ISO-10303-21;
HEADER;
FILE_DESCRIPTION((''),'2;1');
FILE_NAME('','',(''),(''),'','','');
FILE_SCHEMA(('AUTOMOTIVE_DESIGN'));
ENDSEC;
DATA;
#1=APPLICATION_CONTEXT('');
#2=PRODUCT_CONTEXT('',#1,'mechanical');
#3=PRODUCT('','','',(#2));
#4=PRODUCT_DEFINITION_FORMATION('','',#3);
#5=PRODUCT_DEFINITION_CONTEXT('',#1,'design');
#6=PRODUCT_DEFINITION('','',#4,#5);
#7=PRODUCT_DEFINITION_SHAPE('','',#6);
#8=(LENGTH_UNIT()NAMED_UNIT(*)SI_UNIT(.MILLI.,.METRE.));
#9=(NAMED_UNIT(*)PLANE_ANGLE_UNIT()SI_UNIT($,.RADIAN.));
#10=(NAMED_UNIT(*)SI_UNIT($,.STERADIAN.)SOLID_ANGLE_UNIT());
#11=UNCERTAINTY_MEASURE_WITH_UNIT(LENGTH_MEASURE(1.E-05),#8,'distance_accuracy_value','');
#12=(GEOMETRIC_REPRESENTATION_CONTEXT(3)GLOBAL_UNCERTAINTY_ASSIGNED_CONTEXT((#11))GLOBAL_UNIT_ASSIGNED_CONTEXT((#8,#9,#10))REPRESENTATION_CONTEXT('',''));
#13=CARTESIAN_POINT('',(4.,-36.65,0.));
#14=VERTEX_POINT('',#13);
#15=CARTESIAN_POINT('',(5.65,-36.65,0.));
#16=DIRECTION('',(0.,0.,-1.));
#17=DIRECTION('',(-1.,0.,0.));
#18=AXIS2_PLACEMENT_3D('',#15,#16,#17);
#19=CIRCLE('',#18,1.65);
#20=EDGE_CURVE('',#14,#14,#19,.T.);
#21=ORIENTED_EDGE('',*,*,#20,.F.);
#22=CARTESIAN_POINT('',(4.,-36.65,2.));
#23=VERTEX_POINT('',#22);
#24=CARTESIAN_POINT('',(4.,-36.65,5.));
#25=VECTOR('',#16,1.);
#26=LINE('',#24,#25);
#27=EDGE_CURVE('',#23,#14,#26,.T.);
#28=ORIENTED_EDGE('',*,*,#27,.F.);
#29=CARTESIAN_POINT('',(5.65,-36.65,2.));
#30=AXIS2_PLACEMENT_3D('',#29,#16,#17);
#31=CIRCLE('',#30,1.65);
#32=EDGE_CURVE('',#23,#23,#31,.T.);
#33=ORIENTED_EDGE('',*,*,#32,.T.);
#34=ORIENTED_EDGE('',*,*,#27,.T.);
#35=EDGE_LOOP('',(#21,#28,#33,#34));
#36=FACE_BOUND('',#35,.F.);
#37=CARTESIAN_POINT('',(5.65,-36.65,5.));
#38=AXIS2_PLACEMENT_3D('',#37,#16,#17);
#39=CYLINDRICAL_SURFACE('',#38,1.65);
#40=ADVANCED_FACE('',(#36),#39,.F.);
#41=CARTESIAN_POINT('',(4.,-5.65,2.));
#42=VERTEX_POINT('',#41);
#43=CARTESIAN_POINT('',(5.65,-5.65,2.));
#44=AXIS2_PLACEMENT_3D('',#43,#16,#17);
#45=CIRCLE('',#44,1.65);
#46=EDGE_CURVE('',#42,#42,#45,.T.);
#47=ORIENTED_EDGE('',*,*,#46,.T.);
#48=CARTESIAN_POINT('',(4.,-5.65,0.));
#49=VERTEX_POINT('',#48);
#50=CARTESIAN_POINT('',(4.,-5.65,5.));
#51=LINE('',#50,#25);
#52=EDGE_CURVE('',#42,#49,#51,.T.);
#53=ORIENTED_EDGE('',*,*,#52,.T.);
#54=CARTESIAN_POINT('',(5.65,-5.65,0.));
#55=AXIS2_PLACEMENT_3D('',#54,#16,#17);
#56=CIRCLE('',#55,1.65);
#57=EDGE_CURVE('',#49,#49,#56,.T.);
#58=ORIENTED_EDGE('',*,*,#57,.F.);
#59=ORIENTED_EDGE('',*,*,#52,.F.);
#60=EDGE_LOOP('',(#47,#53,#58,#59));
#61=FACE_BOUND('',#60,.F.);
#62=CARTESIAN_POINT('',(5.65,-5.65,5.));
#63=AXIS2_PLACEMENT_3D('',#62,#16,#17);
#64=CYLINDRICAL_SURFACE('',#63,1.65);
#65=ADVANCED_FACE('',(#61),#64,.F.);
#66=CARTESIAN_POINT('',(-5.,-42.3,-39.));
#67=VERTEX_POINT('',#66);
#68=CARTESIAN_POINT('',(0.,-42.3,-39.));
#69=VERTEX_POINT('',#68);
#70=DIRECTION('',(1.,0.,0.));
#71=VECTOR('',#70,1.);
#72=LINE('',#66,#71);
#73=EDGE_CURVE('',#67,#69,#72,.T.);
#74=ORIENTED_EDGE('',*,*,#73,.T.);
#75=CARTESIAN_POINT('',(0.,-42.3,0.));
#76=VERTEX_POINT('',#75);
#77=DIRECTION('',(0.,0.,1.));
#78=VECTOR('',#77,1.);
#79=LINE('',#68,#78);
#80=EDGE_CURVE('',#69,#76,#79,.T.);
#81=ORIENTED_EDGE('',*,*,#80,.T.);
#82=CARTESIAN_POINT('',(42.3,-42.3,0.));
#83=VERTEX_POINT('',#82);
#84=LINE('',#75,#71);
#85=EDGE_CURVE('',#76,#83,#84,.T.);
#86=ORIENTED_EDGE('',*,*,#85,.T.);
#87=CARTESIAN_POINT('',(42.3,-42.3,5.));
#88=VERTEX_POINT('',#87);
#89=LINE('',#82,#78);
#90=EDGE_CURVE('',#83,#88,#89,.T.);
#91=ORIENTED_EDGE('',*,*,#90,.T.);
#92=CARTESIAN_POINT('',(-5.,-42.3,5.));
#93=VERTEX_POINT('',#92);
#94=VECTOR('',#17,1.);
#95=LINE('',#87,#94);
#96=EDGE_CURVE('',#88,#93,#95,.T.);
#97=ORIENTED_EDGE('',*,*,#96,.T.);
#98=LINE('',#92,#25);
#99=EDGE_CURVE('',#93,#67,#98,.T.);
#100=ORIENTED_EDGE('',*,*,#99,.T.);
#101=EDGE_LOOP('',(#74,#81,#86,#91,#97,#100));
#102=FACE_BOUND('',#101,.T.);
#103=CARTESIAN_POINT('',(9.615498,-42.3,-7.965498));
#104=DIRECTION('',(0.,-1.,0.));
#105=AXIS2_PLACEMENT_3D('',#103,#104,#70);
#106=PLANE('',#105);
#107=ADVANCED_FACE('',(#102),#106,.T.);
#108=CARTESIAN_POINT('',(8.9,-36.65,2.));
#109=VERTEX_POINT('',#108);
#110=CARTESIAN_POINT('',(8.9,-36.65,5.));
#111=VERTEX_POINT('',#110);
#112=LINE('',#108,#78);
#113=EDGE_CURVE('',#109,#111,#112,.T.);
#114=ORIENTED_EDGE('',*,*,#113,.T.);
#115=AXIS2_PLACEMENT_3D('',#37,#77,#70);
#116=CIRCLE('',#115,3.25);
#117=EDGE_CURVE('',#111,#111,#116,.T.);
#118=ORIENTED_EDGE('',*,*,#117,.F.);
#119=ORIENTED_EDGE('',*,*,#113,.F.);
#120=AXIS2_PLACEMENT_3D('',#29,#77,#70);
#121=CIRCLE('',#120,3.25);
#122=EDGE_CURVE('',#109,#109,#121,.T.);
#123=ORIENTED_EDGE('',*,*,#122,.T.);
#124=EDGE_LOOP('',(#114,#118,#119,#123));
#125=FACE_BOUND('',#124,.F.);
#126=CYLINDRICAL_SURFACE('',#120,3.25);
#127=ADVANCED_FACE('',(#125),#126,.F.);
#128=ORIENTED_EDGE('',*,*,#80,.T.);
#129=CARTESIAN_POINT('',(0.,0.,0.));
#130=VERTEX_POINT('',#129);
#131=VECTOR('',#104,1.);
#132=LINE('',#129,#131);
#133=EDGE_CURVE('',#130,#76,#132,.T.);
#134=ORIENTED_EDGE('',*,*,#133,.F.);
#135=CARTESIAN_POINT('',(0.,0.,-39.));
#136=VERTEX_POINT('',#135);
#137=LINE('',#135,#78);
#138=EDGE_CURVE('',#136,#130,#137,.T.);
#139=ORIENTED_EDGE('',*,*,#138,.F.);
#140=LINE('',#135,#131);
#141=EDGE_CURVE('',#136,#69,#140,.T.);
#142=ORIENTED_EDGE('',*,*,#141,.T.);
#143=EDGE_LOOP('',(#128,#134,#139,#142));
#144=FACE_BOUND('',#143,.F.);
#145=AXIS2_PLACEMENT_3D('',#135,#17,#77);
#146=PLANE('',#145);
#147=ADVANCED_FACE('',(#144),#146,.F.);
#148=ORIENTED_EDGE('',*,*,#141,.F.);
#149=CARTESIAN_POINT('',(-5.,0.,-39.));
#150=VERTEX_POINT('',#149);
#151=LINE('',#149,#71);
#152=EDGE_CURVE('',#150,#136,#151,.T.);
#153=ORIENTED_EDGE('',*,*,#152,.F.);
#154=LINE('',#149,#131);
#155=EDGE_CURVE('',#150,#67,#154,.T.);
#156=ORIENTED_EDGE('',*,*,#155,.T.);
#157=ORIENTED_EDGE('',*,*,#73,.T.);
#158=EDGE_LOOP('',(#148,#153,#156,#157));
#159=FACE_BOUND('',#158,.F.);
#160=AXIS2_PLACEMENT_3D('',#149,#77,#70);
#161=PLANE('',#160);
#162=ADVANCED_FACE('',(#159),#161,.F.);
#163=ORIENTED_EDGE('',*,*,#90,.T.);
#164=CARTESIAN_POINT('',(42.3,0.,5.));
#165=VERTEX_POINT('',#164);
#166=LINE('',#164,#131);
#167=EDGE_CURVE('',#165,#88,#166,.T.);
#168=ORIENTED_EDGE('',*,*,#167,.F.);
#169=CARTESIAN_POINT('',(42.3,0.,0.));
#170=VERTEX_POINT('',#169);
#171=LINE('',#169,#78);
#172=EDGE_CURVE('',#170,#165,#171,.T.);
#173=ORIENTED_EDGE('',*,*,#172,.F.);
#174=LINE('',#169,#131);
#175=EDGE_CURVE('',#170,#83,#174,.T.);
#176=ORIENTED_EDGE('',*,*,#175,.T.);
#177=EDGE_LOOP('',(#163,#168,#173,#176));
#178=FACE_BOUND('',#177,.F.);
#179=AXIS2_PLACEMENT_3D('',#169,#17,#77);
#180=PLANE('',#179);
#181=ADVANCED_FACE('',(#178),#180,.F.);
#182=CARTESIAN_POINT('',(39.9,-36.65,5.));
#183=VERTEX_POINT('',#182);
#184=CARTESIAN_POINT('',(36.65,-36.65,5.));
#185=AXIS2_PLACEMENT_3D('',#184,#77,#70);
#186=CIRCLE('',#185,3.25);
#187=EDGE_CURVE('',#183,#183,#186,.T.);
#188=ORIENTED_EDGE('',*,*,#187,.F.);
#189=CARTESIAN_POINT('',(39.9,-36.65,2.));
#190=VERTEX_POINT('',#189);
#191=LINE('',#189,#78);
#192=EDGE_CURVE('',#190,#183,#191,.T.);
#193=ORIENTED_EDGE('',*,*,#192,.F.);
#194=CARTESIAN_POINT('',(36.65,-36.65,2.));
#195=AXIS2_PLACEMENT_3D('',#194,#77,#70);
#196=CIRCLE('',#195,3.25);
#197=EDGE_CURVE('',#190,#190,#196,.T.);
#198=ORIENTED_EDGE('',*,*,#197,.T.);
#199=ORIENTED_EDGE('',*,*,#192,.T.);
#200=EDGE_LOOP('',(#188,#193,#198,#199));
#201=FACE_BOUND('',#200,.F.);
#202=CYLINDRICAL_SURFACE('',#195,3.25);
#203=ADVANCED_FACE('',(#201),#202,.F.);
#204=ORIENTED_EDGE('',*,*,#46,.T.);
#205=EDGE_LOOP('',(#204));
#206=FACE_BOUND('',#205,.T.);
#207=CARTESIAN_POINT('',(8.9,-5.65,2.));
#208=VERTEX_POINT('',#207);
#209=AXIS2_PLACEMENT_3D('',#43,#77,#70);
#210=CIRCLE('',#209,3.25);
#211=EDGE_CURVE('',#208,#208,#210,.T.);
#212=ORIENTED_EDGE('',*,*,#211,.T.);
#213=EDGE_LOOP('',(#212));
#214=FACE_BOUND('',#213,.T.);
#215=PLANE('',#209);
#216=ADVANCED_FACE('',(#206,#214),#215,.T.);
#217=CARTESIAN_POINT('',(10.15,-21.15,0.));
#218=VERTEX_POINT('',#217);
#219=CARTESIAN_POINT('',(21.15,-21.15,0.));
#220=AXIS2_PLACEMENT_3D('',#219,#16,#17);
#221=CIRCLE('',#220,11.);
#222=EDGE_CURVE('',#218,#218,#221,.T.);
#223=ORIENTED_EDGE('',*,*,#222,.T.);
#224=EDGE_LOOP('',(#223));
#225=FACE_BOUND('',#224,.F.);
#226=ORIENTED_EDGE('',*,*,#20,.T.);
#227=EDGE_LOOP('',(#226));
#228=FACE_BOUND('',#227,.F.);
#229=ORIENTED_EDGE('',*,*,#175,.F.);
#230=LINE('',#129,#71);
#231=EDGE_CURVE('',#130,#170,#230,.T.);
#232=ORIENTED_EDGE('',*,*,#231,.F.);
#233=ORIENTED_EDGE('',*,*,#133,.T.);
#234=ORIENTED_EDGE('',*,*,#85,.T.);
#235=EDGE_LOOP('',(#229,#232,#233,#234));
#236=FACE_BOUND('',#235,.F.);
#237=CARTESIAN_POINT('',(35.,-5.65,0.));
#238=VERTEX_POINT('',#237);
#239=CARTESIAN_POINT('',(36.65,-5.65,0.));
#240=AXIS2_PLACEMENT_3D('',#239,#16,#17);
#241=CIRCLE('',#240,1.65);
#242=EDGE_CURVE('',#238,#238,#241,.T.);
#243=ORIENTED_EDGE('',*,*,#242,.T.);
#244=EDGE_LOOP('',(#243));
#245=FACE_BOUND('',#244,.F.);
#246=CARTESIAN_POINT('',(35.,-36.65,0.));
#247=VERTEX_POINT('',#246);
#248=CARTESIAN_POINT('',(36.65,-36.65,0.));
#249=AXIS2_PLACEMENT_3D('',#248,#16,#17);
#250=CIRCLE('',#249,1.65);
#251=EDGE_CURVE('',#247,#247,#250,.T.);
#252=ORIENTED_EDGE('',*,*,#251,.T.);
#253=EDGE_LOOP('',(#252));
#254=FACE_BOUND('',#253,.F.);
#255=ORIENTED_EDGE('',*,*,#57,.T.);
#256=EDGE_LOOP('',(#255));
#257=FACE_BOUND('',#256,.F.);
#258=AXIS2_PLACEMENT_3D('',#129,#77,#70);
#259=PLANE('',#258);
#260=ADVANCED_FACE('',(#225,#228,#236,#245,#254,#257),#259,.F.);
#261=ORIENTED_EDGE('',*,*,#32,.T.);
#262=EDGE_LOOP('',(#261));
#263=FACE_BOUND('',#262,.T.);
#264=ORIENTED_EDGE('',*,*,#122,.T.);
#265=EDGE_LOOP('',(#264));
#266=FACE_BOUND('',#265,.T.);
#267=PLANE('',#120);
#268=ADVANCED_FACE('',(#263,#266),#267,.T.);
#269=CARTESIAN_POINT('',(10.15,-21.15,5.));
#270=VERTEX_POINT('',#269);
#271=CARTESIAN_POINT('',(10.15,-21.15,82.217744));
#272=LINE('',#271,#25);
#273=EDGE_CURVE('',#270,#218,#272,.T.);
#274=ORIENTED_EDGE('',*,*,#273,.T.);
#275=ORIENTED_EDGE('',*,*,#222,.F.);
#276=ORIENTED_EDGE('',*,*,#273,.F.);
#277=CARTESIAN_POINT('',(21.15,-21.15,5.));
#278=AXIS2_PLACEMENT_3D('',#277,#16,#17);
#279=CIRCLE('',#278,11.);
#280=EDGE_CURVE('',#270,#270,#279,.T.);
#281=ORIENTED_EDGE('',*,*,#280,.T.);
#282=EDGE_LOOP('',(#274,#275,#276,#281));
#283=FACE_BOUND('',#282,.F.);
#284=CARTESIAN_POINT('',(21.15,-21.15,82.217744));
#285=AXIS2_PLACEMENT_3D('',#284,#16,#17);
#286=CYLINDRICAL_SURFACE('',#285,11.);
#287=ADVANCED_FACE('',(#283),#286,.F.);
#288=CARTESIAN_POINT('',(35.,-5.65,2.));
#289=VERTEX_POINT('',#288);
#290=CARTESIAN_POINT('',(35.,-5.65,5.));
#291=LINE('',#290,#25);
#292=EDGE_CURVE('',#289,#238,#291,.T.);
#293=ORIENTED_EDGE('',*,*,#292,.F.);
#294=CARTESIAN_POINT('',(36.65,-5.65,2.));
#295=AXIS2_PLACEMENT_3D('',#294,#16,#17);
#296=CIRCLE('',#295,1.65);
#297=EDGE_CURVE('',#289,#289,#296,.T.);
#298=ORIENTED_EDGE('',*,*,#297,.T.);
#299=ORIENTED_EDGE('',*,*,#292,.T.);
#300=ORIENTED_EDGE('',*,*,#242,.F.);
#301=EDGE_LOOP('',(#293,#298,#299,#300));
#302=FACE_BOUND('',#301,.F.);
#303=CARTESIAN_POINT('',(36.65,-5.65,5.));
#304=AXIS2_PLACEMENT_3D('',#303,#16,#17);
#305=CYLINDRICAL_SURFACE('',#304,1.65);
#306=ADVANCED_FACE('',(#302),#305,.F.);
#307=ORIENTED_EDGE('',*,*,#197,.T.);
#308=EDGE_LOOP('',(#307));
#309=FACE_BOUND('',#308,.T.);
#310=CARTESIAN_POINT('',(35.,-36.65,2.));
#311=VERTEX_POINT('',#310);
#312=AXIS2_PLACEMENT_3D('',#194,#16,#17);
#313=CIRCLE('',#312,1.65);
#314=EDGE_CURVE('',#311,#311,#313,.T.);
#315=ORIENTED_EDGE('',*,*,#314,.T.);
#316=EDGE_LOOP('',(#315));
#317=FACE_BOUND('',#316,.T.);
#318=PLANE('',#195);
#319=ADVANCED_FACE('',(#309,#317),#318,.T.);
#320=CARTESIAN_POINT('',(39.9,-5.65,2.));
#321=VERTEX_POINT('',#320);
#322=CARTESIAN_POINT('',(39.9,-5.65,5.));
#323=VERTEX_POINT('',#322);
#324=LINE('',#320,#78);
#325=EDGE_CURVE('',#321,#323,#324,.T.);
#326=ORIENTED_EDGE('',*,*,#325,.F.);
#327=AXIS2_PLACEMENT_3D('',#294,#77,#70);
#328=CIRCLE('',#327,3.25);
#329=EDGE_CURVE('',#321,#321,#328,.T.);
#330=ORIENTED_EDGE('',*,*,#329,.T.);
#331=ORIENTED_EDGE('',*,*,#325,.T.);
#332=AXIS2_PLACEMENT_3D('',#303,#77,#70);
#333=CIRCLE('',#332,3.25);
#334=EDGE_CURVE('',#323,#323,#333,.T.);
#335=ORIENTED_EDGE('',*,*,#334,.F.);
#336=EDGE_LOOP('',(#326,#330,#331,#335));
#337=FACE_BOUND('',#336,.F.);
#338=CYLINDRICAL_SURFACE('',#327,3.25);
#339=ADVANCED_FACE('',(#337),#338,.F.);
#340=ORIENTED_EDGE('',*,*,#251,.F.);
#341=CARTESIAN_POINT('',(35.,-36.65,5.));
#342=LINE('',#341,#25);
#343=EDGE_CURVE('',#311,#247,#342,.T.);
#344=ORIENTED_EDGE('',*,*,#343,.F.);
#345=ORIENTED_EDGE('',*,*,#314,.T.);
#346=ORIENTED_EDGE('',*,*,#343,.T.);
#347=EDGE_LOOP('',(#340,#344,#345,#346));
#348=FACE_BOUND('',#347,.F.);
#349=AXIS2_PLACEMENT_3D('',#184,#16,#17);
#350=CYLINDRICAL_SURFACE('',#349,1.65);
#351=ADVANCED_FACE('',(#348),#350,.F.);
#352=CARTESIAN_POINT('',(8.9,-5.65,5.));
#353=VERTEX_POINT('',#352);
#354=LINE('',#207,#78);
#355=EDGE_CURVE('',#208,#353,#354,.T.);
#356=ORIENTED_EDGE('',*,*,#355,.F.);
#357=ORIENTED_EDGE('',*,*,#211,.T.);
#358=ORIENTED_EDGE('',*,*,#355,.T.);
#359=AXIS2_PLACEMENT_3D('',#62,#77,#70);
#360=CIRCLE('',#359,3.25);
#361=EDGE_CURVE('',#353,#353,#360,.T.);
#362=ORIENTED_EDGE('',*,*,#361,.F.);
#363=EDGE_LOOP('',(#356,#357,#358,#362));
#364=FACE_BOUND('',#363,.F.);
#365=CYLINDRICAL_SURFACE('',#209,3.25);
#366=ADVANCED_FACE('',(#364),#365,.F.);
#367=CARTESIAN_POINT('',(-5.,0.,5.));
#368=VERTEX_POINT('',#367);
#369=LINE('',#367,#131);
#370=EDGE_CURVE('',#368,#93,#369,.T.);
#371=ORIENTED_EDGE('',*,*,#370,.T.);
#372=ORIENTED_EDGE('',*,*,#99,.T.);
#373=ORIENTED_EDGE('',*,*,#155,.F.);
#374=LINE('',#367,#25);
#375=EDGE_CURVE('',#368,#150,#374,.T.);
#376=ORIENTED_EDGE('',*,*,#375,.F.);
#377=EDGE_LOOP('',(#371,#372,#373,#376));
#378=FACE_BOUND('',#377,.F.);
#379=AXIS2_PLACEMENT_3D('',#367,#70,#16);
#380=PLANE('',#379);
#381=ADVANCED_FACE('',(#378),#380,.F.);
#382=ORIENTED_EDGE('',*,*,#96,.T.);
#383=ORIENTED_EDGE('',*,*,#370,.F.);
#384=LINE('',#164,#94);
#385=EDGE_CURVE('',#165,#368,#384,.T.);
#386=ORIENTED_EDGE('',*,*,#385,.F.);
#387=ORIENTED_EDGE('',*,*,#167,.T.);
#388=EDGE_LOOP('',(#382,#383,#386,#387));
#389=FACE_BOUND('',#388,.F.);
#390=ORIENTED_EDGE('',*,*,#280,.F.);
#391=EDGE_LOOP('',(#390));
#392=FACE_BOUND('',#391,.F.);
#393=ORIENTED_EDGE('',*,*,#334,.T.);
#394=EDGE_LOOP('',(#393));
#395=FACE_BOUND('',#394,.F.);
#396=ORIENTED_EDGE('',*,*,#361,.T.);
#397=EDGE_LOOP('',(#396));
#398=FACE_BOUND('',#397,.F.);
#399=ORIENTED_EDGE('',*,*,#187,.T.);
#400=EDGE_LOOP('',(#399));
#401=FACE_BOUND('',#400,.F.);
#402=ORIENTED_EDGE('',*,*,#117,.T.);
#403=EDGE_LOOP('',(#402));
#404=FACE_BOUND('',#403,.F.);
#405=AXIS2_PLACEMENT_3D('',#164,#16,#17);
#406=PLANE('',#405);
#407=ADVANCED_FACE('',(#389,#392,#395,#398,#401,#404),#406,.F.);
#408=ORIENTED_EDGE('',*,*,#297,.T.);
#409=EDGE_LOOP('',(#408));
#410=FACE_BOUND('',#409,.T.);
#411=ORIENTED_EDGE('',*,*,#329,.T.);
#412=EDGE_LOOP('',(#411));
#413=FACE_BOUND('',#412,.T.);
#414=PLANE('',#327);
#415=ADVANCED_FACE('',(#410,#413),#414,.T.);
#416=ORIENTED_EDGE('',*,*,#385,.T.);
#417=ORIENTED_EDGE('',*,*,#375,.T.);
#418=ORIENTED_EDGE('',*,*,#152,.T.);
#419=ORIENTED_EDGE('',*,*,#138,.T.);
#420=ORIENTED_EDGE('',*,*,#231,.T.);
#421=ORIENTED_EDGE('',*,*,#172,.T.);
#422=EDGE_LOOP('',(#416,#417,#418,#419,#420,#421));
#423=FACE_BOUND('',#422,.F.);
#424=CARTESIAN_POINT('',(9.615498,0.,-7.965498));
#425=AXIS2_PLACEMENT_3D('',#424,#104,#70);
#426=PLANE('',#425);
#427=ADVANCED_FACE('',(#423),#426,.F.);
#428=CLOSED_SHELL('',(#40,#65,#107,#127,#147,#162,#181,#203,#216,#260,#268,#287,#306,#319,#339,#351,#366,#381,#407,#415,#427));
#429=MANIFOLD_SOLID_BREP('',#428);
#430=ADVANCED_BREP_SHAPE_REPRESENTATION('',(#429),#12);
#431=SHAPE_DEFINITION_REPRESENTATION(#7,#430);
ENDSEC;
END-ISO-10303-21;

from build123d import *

# Parameters (mm, degrees)
F1_DEPTH       = 42.3
F3_D           = 3.3
F3_DEPTH       = 10
F3_CBORE_D     = 6.5
F3_CBORE_DEPTH = 3
F3_TIP         = 0.9914200214
F4_D           = 22


with BuildPart() as f1:
    # F0 (on Front) → F1 (new body)
    with BuildSketch(Plane.XZ):
        Polygon((0, -39), (0, 0), (42.3, 0), (42.3, 5), (-5, 5), (-5, -39), align=None)
    extrude(amount=F1_DEPTH)

    # F3
    with Locations(Plane.XY.offset(5)):
        with Locations((5.65, -5.65), (36.65, -5.65), (36.65, -36.65), (5.65, -36.65)):
            CounterBoreHole(F3_D / 2, F3_CBORE_D / 2, F3_CBORE_DEPTH, depth=F3_DEPTH)
            with Locations((0, 0, -(F3_DEPTH + F3_TIP / 2))):  # 118° drill point
                Cone(0, F3_D / 2, F3_TIP, mode=Mode.SUBTRACT)

    # F4 (through all)
    with Locations(Plane.XY.offset(5)):
        with Locations((21.15, -21.15)):
            Hole(F4_D / 2)


solid = f1.part
